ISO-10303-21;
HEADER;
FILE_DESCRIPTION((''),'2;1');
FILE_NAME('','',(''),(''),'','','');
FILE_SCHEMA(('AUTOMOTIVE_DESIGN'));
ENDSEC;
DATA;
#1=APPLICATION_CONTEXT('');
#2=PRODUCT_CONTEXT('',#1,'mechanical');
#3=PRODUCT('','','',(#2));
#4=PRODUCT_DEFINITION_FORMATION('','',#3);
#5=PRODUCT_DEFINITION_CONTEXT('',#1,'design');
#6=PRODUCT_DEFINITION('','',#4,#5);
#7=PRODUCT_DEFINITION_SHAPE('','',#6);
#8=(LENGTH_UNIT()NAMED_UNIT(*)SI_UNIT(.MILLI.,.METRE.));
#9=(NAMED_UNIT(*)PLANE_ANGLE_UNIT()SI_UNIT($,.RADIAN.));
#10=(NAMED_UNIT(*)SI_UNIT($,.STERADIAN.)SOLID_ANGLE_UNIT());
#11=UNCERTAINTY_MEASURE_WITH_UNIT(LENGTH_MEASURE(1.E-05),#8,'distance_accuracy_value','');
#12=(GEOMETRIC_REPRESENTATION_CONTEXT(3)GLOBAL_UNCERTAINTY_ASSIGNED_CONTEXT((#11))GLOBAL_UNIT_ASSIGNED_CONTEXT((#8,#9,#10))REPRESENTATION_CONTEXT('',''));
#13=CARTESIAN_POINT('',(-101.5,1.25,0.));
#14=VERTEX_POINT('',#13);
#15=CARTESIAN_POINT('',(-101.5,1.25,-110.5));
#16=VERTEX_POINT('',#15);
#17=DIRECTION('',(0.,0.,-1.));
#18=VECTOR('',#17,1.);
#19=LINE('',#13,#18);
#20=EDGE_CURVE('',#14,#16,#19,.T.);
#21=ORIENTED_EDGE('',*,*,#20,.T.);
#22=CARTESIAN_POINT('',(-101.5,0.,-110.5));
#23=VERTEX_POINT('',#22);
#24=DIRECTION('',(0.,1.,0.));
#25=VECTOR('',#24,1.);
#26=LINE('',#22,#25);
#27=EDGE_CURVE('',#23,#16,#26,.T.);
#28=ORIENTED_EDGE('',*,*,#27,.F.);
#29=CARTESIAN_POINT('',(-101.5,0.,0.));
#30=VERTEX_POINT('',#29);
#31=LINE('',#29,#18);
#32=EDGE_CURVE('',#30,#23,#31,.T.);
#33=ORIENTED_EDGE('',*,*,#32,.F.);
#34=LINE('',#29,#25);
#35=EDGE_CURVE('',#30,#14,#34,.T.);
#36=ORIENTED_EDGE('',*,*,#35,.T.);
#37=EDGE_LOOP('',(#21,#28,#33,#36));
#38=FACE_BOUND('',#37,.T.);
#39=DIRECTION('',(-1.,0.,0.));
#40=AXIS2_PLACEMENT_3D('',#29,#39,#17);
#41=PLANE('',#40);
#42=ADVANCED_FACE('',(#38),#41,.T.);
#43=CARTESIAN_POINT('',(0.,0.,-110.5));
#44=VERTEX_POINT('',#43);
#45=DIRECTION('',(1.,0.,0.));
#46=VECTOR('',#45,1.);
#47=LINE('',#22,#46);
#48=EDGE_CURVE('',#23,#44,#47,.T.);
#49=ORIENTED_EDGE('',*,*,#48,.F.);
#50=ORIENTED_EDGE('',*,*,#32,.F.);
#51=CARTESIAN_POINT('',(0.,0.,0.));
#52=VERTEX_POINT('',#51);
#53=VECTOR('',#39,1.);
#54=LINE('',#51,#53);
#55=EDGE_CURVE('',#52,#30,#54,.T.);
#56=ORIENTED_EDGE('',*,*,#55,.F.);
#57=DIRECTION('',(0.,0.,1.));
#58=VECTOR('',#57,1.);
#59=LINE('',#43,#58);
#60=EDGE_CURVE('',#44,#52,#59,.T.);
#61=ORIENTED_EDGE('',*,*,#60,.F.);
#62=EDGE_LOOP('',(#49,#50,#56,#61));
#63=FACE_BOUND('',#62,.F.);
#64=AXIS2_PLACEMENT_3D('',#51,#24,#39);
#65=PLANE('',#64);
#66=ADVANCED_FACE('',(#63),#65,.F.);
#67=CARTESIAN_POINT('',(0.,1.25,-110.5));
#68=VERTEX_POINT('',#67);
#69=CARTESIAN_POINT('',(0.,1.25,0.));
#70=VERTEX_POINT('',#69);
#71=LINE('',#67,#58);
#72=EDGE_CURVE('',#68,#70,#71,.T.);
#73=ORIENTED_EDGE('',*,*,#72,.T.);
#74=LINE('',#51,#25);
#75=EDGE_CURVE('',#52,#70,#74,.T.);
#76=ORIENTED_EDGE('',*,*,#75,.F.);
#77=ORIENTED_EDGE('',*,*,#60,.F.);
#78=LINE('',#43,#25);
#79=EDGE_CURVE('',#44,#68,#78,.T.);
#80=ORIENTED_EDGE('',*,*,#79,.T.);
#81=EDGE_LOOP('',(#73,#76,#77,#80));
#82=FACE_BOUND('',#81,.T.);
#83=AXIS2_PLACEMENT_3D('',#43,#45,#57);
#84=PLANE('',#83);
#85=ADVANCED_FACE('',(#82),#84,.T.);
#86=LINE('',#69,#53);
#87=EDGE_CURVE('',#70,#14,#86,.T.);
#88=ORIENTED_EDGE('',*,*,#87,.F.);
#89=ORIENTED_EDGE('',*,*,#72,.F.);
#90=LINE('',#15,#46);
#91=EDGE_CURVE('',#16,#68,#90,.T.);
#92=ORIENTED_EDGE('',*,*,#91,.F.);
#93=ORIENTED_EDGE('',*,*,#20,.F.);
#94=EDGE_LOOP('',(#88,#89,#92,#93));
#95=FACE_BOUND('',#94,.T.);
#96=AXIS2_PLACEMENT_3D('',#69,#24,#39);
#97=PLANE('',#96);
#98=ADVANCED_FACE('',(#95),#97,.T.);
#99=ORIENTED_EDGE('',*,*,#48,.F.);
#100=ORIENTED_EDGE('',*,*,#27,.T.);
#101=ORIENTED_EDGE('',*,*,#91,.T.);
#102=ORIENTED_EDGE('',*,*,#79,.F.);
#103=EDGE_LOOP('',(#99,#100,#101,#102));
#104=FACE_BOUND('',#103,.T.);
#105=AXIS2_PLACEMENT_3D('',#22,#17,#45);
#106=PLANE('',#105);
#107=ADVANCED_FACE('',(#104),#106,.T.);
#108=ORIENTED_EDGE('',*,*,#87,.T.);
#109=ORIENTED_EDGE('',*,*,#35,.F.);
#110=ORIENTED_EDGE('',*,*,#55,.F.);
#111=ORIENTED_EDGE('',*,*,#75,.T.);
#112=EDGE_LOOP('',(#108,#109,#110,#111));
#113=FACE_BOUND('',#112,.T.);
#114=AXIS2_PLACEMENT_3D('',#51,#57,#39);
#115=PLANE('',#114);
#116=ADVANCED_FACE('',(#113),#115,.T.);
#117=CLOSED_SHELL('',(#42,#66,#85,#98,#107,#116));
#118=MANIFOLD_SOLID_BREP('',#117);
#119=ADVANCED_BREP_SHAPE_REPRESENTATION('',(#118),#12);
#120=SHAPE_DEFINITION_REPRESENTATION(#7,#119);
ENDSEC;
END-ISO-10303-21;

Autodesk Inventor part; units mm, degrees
ref_plane "YZ Plane" through (0, 0, 0) normal (1, 0, 0) x (0, 1, 0)
ref_plane "XZ Plane" through (0, 0, 0) normal (0, 1, 0) x (-1, 0, 0)
ref_plane "XY Plane" through (0, 0, 0) normal (0, 0, 1) x (1, 0, 0)
sketch "Sketch1" plane through (0, 0, 0) normal (0, 1, 0) x (-1, 0, 0)
  line L0 (0, 0) -> (101.5, 0)
  line L1 (101.5, 0) -> (101.5, -110.5)
  line L2 (101.5, -110.5) -> (0, -110.5)
  line L3 (0, -110.5) -> (0, 0)
  dimension "d0" = 101.5
  dimension "d1" = 110.5
extrude "Extrusion1" add sketch "Sketch1" along normal blind 1.25
properties part number "casing lidN"
